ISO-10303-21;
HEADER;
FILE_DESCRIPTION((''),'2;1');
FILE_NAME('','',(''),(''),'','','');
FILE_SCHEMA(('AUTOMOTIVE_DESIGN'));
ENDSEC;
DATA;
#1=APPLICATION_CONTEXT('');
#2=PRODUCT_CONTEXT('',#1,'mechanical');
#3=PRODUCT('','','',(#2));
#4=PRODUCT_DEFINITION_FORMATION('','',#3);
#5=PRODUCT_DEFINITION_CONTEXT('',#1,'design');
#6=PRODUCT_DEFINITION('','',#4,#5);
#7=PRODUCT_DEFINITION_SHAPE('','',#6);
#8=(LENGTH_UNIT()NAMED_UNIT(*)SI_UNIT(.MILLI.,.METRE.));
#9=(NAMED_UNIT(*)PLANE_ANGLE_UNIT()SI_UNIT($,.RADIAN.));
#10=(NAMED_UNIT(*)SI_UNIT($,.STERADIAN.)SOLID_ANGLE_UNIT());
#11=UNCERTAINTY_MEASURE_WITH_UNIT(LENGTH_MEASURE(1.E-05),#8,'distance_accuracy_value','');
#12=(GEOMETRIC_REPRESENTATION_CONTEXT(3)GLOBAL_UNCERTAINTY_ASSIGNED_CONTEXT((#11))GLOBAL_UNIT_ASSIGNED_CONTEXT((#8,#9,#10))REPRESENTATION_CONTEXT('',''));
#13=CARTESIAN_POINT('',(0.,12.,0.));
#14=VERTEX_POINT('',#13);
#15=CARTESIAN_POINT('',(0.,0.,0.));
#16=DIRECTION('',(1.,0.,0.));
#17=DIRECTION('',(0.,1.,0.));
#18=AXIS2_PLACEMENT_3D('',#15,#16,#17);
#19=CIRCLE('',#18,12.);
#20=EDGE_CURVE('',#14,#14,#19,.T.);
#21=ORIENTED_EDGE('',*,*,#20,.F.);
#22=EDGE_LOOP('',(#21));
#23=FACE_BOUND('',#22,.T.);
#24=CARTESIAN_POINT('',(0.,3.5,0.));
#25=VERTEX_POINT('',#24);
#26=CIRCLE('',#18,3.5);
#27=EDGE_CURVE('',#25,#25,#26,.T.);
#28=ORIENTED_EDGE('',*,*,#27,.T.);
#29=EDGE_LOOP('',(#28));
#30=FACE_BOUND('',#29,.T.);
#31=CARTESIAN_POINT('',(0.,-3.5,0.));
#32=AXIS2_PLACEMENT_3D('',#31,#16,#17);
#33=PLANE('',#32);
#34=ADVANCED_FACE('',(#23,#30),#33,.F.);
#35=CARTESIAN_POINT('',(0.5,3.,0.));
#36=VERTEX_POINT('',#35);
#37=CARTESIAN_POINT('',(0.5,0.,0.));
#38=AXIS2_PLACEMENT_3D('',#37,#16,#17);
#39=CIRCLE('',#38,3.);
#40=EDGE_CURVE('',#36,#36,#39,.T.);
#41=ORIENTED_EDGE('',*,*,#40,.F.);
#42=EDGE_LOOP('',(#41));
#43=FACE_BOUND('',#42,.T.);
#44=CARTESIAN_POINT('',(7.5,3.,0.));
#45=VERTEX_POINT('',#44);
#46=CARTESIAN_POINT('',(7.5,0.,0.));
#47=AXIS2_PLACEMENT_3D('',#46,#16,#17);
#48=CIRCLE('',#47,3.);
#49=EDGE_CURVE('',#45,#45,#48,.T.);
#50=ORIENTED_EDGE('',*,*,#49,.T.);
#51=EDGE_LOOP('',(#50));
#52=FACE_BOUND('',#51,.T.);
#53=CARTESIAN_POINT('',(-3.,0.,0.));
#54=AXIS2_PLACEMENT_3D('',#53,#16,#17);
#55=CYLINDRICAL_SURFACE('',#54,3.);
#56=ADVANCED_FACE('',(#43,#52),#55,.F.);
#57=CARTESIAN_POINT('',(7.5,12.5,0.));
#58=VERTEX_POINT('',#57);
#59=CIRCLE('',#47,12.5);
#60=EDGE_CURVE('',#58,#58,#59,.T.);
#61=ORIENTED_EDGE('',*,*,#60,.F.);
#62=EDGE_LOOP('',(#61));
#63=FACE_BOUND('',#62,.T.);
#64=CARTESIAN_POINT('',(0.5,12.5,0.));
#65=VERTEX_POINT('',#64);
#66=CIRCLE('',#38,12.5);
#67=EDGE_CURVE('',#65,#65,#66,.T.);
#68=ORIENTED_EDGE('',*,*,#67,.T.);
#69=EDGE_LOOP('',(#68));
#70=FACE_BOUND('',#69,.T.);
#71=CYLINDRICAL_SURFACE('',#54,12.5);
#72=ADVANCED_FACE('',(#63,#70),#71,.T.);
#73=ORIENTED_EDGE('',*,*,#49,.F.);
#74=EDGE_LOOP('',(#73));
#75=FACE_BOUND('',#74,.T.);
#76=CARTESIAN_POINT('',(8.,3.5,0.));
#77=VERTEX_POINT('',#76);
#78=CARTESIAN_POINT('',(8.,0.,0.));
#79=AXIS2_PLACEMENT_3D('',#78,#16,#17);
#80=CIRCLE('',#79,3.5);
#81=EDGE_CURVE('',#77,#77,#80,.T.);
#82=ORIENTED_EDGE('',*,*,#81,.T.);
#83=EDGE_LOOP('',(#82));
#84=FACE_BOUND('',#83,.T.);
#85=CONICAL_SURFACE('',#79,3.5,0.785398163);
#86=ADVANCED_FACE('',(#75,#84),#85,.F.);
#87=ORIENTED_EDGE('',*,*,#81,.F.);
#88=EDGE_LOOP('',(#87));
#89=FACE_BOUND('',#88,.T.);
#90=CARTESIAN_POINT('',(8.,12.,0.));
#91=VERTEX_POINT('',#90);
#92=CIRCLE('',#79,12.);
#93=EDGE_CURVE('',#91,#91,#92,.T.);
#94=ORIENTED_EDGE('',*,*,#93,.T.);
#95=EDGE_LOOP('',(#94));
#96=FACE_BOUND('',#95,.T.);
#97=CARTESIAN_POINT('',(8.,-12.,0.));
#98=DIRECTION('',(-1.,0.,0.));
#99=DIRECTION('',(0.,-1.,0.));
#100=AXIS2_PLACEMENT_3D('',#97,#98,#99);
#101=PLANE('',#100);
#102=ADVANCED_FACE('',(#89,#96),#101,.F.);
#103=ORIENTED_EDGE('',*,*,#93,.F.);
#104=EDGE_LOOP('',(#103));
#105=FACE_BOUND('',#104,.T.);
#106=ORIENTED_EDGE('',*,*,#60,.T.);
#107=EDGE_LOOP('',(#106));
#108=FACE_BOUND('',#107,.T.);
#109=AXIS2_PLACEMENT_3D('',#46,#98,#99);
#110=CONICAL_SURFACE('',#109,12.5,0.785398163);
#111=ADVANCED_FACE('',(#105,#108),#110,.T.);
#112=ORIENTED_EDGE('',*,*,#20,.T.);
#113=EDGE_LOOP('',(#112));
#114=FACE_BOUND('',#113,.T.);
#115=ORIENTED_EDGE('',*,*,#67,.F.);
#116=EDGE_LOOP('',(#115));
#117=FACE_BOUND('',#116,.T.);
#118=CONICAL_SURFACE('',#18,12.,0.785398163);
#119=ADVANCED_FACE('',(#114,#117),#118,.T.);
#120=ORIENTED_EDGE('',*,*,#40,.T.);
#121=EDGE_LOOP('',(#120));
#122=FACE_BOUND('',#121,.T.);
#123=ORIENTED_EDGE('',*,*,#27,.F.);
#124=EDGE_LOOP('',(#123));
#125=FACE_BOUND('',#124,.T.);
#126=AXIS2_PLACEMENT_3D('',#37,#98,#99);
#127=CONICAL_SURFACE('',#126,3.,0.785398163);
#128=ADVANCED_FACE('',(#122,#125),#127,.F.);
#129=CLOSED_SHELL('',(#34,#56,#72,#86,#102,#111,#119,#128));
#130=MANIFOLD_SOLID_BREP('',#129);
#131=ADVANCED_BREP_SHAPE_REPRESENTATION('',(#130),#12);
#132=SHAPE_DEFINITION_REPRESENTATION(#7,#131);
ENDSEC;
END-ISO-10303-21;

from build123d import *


with BuildPart() as part:
    # ｽｹｯﾁ1 → 回転1 (revolve)
    with BuildSketch(Plane.XY, mode=Mode.PRIVATE) as revolve_1_sk:
        Polygon((0, -3.5), (0, -12), (0.5, -12.5), (7.5, -12.5), (8, -12), (8, -3.5), (7.5, -3), (0.5, -3), align=None)
    revolve(revolve_1_sk.sketch.rotate(Axis((-3, 0, 0), (1, 0, 0)), 180), axis=Axis((-3, 0, 0), (1, 0, 0)))


solid = part.part
